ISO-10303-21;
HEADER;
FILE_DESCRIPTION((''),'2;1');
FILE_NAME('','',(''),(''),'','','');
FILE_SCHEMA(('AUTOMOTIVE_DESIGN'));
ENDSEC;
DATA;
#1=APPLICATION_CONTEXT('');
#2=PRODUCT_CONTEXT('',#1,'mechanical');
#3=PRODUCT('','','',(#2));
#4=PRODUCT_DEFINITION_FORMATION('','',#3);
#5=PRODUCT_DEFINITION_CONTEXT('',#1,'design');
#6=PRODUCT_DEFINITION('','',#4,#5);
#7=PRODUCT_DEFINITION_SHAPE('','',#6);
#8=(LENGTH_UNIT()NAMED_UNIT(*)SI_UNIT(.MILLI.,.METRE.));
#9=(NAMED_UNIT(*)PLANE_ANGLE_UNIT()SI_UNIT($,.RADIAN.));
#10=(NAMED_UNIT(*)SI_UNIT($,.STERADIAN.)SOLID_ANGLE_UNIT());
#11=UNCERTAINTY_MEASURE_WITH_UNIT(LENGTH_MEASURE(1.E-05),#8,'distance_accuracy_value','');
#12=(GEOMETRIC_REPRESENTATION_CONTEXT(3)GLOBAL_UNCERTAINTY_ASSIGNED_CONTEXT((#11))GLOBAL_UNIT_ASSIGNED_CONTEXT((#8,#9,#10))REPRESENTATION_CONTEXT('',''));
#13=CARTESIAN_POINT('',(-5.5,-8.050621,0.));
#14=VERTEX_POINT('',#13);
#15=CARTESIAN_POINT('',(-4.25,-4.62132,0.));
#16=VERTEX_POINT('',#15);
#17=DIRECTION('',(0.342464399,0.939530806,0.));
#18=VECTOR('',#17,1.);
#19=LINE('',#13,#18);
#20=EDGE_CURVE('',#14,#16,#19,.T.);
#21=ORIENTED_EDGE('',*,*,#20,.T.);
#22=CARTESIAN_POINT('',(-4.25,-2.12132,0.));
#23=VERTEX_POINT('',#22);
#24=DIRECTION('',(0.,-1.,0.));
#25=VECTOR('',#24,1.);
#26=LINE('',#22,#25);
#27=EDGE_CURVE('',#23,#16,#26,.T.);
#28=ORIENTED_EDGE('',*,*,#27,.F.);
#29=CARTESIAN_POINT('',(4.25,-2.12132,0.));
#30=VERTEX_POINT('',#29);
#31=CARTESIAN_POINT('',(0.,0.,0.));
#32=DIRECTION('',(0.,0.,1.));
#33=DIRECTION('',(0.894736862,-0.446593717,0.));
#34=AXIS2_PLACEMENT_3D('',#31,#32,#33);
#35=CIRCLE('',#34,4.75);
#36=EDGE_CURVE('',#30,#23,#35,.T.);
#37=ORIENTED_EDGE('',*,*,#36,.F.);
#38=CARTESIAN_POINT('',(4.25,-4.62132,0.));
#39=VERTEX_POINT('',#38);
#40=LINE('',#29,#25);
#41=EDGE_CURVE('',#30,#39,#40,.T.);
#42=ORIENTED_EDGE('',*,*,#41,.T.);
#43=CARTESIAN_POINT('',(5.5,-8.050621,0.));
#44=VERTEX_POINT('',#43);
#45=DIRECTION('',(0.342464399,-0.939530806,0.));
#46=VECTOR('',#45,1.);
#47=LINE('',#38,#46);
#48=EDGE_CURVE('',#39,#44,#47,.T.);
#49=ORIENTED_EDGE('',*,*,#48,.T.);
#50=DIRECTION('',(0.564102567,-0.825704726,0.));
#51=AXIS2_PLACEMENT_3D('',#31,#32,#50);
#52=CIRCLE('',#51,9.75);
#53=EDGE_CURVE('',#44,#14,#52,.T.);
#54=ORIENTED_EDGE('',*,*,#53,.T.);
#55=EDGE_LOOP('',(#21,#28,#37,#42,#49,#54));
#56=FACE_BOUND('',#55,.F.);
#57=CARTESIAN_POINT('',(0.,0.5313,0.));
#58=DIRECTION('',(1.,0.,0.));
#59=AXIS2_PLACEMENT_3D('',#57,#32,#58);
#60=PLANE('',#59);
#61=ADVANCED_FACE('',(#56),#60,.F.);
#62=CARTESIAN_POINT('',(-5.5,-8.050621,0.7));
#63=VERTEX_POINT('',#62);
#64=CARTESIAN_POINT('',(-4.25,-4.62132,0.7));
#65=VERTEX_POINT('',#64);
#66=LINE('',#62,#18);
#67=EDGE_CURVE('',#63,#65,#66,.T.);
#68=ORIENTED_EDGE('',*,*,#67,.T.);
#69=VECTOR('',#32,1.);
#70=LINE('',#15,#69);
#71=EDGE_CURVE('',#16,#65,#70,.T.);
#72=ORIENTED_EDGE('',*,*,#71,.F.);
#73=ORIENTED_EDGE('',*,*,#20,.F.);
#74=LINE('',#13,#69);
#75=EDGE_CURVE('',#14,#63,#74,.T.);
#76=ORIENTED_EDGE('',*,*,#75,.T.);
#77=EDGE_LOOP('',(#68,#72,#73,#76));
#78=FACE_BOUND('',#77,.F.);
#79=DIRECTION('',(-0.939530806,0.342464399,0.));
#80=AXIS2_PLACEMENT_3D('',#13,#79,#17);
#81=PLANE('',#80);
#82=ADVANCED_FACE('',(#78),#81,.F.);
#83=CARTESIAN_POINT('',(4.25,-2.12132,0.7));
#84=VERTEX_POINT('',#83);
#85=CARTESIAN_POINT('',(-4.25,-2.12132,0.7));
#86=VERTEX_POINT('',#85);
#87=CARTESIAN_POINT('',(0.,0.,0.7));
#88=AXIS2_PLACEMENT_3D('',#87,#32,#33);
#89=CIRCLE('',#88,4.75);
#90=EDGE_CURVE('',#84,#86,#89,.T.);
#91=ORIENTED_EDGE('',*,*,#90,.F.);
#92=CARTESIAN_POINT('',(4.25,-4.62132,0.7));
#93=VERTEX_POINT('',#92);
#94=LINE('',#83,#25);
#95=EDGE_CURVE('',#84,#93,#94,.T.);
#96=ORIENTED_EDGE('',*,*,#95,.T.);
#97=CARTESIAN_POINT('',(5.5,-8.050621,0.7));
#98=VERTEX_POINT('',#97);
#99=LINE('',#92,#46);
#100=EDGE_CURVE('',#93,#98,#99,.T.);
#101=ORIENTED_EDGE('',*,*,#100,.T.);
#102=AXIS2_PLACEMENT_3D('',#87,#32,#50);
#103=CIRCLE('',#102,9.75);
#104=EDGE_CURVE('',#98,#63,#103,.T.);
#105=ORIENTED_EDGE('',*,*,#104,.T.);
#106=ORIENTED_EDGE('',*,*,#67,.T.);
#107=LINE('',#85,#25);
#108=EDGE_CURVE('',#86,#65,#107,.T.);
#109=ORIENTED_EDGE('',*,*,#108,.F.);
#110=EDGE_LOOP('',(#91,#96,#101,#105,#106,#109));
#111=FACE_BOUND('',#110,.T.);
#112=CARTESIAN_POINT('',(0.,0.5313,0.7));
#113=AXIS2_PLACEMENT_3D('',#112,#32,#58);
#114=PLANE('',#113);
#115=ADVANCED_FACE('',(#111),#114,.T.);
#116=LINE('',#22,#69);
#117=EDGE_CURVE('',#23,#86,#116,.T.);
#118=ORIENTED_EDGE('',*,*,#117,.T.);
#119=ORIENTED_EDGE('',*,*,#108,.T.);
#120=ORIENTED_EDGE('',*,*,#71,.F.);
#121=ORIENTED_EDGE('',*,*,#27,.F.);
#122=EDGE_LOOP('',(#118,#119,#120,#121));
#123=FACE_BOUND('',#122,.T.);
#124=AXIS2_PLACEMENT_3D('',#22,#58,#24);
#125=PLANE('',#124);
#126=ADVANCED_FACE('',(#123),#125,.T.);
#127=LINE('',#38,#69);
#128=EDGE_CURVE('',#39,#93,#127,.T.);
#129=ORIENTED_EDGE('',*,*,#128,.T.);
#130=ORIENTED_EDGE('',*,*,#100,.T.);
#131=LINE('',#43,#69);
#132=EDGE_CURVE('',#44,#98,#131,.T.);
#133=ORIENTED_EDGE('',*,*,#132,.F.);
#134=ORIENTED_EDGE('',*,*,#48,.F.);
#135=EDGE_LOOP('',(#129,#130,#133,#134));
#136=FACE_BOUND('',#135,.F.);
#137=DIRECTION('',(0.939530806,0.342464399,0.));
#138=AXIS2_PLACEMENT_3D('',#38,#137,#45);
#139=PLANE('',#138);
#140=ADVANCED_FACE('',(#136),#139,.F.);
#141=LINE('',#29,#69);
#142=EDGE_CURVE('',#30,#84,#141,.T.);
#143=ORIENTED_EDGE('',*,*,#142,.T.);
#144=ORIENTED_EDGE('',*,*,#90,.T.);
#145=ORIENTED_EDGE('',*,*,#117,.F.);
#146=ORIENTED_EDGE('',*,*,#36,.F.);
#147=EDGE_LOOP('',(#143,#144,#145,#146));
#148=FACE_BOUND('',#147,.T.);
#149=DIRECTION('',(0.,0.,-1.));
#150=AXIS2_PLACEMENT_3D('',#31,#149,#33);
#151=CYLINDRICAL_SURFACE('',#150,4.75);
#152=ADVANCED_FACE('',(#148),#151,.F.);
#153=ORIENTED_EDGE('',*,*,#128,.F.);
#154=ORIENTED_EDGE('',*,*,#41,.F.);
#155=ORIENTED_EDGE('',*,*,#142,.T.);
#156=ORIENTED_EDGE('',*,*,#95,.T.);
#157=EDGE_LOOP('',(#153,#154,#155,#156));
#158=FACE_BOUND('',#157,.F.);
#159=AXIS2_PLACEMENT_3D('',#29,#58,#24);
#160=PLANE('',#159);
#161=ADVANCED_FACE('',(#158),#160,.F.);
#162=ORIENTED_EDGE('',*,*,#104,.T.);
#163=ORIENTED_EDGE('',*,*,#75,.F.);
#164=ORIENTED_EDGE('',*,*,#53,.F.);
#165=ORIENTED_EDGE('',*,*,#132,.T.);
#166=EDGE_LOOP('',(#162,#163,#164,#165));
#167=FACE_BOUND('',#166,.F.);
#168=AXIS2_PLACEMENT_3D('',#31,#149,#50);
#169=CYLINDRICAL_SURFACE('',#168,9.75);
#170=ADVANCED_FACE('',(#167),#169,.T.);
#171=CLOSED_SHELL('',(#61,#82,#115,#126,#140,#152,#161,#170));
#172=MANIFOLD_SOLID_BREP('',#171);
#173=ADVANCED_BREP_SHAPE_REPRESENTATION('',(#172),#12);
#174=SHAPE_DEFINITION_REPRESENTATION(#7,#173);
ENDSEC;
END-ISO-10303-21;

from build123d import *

# Parameters (mm, degrees)
EXTRUDE_DEPTH = 0.7


with BuildPart() as part:
    # Sketch → Extrude (new body)
    with BuildSketch(Plane.XY):
        with BuildLine():
            ThreePointArc((5.5, -8.050621), (0, 9.75), (-5.5, -8.050621))
            Line((-5.5, -8.050621), (-4.25, -4.62132))
            Line((-4.25, -2.12132), (-4.25, -4.62132))
            ThreePointArc((4.25, -2.12132), (0, 4.75), (-4.25, -2.12132))
            Line((4.25, -2.12132), (4.25, -4.62132))
            Line((4.25, -4.62132), (5.5, -8.050621))
        make_face()
    extrude(amount=EXTRUDE_DEPTH)


solid = part.part
